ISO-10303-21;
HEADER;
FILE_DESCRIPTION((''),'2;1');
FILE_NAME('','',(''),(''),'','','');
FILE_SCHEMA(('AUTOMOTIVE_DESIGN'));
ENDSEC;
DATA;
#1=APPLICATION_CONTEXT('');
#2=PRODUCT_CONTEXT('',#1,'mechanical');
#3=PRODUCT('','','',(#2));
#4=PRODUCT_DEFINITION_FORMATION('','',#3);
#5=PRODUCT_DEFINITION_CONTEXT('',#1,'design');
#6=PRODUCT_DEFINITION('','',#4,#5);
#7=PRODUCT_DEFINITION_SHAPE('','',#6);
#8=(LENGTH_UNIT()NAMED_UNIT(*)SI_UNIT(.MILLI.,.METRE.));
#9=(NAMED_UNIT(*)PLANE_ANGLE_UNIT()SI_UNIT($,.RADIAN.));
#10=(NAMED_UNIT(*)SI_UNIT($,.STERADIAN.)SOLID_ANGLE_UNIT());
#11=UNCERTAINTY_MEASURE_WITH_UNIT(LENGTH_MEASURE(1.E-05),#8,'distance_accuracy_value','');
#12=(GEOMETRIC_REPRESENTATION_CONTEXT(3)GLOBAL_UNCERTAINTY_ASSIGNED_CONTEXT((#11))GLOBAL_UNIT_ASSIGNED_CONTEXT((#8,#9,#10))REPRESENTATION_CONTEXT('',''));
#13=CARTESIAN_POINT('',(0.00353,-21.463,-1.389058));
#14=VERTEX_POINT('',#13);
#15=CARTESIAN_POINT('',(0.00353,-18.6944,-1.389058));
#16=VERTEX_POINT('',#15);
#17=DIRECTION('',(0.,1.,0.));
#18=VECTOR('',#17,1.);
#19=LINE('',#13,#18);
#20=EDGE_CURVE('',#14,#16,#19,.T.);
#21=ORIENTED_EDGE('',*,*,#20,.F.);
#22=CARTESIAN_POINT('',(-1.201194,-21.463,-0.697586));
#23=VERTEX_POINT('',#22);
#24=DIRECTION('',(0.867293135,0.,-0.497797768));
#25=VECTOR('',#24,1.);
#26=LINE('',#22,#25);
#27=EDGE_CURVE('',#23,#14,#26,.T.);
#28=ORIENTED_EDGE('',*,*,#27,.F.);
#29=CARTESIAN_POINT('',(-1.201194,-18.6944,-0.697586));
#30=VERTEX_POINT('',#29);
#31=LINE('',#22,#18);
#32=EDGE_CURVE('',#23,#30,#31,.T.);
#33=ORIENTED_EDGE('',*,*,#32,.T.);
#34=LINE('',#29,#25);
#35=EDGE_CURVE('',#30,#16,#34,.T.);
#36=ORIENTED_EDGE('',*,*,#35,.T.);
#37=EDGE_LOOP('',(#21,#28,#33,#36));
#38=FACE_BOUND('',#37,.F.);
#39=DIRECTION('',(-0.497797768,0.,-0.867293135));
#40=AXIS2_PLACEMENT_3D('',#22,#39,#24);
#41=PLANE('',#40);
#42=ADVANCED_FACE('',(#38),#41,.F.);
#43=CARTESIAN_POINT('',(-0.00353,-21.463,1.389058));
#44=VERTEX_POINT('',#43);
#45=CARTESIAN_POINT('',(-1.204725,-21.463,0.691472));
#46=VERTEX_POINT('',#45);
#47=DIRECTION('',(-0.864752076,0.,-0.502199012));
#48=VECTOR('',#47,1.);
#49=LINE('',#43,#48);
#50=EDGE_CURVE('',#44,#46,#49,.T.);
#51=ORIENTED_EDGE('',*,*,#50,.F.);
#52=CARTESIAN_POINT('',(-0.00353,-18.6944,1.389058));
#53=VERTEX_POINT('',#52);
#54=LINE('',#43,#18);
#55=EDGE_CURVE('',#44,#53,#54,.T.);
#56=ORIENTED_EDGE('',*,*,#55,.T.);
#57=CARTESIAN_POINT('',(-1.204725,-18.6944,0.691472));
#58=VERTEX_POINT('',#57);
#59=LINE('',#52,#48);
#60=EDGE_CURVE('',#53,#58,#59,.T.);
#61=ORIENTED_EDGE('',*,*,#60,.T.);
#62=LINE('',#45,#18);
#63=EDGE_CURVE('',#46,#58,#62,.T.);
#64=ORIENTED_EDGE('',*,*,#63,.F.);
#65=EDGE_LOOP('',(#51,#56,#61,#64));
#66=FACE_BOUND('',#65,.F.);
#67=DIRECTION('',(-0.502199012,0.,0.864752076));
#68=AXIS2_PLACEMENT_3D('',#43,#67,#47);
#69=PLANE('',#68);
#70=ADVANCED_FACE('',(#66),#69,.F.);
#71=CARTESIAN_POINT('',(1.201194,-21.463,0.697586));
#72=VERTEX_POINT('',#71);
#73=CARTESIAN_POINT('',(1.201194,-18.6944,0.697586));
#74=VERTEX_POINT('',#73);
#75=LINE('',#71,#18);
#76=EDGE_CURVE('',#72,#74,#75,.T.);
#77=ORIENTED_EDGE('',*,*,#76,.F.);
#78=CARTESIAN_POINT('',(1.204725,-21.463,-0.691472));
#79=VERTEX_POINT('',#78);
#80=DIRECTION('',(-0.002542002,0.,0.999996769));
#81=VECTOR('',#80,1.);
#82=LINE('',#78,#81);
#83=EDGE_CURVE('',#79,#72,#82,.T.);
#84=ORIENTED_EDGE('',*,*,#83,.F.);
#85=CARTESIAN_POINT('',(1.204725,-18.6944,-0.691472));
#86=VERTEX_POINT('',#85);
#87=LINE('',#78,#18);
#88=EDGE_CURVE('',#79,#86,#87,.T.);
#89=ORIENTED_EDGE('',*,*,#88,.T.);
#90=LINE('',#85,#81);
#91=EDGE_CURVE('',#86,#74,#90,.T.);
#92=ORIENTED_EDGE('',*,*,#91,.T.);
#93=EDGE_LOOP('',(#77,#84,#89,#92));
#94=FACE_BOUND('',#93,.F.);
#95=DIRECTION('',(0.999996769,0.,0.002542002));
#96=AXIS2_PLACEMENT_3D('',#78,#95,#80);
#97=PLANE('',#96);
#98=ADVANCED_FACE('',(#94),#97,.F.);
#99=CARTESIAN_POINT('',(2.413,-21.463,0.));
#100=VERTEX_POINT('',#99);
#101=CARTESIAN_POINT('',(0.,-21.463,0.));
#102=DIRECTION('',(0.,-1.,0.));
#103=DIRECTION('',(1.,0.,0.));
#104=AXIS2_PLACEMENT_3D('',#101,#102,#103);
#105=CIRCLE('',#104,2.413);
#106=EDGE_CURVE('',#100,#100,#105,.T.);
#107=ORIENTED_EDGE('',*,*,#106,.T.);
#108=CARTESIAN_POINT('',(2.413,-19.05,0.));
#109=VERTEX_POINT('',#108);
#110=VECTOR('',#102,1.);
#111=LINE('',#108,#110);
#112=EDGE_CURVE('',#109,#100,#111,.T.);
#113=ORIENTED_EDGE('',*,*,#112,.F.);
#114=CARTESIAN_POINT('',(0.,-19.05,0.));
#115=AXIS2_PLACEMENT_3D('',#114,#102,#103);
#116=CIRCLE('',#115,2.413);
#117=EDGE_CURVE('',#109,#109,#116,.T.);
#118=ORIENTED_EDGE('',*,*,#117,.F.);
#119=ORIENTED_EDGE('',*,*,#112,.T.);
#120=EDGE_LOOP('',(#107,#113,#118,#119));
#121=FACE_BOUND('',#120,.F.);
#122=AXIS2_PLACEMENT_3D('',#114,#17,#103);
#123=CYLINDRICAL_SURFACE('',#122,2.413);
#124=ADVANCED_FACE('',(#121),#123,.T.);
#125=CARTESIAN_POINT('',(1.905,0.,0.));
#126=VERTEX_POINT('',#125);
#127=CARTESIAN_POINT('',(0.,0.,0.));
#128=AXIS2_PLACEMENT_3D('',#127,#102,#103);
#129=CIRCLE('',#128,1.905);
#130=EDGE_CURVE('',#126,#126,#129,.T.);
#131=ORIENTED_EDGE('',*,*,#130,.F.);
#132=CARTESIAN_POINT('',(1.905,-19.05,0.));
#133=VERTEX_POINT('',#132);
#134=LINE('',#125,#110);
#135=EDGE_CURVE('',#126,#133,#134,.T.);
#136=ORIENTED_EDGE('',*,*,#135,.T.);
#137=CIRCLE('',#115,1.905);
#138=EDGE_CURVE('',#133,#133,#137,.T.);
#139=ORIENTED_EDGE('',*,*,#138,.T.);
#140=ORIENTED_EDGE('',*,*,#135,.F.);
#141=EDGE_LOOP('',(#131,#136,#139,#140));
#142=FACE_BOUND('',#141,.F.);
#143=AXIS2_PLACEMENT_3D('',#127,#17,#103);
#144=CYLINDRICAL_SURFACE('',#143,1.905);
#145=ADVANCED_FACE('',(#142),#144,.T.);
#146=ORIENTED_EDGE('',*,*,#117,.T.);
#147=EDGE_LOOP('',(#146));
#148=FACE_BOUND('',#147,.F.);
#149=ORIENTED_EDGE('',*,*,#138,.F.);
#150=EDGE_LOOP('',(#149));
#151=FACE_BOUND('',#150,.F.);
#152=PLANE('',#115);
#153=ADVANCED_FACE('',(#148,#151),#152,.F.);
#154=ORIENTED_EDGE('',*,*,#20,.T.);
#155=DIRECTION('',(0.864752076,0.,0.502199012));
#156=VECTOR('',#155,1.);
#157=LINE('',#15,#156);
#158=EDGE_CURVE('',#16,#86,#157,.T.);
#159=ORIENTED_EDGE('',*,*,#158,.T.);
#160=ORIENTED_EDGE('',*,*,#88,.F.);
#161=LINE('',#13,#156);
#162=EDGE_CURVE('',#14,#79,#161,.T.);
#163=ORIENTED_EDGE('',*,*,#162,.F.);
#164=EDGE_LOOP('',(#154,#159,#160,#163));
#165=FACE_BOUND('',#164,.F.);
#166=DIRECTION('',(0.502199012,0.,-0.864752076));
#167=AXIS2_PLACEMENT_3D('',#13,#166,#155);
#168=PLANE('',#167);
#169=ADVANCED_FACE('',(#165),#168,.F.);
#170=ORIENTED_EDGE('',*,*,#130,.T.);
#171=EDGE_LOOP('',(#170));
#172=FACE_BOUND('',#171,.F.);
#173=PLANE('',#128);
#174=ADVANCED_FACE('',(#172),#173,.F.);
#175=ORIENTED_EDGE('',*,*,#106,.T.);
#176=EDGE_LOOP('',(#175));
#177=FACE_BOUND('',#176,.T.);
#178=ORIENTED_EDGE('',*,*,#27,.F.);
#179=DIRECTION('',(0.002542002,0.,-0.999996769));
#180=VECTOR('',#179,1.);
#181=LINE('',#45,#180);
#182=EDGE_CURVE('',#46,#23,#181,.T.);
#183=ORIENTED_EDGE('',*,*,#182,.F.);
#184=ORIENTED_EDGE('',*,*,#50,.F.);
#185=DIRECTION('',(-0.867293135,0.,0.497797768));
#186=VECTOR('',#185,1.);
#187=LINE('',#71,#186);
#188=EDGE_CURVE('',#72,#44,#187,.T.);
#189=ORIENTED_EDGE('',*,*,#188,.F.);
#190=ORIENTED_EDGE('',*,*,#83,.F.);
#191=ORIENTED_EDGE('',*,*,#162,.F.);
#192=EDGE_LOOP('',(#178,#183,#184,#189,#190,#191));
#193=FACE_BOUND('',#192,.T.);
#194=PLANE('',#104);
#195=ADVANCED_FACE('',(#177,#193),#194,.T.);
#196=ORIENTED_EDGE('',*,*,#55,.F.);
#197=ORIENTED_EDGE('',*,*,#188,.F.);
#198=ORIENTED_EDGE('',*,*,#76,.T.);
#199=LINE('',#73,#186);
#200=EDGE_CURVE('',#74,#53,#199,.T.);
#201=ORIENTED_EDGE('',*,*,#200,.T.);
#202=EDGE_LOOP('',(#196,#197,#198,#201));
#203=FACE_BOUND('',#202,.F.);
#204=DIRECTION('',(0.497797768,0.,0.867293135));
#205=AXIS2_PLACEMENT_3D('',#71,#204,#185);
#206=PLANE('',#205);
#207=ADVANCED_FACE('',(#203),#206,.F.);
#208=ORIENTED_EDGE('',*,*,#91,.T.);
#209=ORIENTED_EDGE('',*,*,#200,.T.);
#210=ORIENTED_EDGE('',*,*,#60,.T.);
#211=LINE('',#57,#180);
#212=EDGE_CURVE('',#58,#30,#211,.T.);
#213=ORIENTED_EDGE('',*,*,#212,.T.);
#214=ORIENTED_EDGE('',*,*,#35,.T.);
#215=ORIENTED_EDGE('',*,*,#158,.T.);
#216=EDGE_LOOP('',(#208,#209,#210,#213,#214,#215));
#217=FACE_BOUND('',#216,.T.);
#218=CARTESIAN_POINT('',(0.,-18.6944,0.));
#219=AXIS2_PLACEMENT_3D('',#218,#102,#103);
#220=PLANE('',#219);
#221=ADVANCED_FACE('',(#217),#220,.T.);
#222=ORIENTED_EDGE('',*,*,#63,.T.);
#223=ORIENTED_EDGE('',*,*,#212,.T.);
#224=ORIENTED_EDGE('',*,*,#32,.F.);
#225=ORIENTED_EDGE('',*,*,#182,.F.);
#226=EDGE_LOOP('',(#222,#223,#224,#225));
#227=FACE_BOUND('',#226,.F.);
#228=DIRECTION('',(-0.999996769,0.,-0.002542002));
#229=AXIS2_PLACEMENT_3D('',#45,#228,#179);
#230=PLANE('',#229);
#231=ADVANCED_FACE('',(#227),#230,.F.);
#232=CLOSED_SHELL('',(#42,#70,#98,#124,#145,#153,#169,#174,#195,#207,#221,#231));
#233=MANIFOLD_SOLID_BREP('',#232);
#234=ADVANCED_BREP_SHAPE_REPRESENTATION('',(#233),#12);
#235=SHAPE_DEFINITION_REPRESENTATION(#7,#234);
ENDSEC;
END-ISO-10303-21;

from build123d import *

# Parameters (mm, degrees)
F0_R     = 1.905
F1_DEPTH = 19.05
F2_R     = 2.413
F3_DEPTH = 2.413
F5_DEPTH = 2.7686


with BuildPart() as f1:
    # F0 (on Front) → F1 (new body)
    with BuildSketch(Plane.XZ):
        Circle(F0_R)
    extrude(amount=F1_DEPTH)

    # F2 (on face) → F3 (join)
    with BuildSketch(Plane.XZ.offset(19.05)):
        Circle(F2_R)
    extrude(amount=F3_DEPTH)

    # F4 (on face) → F5 (cut)
    with BuildSketch(Plane.XZ.offset(21.463)):
        Polygon((-0.00353, 1.389058), (-1.204725, 0.691472), (-1.201194, -0.697586), (0.00353, -1.389058), (1.204725, -0.691472), (1.201194, 0.697586), align=None)
    extrude(amount=-F5_DEPTH, mode=Mode.SUBTRACT)


solid = f1.part
